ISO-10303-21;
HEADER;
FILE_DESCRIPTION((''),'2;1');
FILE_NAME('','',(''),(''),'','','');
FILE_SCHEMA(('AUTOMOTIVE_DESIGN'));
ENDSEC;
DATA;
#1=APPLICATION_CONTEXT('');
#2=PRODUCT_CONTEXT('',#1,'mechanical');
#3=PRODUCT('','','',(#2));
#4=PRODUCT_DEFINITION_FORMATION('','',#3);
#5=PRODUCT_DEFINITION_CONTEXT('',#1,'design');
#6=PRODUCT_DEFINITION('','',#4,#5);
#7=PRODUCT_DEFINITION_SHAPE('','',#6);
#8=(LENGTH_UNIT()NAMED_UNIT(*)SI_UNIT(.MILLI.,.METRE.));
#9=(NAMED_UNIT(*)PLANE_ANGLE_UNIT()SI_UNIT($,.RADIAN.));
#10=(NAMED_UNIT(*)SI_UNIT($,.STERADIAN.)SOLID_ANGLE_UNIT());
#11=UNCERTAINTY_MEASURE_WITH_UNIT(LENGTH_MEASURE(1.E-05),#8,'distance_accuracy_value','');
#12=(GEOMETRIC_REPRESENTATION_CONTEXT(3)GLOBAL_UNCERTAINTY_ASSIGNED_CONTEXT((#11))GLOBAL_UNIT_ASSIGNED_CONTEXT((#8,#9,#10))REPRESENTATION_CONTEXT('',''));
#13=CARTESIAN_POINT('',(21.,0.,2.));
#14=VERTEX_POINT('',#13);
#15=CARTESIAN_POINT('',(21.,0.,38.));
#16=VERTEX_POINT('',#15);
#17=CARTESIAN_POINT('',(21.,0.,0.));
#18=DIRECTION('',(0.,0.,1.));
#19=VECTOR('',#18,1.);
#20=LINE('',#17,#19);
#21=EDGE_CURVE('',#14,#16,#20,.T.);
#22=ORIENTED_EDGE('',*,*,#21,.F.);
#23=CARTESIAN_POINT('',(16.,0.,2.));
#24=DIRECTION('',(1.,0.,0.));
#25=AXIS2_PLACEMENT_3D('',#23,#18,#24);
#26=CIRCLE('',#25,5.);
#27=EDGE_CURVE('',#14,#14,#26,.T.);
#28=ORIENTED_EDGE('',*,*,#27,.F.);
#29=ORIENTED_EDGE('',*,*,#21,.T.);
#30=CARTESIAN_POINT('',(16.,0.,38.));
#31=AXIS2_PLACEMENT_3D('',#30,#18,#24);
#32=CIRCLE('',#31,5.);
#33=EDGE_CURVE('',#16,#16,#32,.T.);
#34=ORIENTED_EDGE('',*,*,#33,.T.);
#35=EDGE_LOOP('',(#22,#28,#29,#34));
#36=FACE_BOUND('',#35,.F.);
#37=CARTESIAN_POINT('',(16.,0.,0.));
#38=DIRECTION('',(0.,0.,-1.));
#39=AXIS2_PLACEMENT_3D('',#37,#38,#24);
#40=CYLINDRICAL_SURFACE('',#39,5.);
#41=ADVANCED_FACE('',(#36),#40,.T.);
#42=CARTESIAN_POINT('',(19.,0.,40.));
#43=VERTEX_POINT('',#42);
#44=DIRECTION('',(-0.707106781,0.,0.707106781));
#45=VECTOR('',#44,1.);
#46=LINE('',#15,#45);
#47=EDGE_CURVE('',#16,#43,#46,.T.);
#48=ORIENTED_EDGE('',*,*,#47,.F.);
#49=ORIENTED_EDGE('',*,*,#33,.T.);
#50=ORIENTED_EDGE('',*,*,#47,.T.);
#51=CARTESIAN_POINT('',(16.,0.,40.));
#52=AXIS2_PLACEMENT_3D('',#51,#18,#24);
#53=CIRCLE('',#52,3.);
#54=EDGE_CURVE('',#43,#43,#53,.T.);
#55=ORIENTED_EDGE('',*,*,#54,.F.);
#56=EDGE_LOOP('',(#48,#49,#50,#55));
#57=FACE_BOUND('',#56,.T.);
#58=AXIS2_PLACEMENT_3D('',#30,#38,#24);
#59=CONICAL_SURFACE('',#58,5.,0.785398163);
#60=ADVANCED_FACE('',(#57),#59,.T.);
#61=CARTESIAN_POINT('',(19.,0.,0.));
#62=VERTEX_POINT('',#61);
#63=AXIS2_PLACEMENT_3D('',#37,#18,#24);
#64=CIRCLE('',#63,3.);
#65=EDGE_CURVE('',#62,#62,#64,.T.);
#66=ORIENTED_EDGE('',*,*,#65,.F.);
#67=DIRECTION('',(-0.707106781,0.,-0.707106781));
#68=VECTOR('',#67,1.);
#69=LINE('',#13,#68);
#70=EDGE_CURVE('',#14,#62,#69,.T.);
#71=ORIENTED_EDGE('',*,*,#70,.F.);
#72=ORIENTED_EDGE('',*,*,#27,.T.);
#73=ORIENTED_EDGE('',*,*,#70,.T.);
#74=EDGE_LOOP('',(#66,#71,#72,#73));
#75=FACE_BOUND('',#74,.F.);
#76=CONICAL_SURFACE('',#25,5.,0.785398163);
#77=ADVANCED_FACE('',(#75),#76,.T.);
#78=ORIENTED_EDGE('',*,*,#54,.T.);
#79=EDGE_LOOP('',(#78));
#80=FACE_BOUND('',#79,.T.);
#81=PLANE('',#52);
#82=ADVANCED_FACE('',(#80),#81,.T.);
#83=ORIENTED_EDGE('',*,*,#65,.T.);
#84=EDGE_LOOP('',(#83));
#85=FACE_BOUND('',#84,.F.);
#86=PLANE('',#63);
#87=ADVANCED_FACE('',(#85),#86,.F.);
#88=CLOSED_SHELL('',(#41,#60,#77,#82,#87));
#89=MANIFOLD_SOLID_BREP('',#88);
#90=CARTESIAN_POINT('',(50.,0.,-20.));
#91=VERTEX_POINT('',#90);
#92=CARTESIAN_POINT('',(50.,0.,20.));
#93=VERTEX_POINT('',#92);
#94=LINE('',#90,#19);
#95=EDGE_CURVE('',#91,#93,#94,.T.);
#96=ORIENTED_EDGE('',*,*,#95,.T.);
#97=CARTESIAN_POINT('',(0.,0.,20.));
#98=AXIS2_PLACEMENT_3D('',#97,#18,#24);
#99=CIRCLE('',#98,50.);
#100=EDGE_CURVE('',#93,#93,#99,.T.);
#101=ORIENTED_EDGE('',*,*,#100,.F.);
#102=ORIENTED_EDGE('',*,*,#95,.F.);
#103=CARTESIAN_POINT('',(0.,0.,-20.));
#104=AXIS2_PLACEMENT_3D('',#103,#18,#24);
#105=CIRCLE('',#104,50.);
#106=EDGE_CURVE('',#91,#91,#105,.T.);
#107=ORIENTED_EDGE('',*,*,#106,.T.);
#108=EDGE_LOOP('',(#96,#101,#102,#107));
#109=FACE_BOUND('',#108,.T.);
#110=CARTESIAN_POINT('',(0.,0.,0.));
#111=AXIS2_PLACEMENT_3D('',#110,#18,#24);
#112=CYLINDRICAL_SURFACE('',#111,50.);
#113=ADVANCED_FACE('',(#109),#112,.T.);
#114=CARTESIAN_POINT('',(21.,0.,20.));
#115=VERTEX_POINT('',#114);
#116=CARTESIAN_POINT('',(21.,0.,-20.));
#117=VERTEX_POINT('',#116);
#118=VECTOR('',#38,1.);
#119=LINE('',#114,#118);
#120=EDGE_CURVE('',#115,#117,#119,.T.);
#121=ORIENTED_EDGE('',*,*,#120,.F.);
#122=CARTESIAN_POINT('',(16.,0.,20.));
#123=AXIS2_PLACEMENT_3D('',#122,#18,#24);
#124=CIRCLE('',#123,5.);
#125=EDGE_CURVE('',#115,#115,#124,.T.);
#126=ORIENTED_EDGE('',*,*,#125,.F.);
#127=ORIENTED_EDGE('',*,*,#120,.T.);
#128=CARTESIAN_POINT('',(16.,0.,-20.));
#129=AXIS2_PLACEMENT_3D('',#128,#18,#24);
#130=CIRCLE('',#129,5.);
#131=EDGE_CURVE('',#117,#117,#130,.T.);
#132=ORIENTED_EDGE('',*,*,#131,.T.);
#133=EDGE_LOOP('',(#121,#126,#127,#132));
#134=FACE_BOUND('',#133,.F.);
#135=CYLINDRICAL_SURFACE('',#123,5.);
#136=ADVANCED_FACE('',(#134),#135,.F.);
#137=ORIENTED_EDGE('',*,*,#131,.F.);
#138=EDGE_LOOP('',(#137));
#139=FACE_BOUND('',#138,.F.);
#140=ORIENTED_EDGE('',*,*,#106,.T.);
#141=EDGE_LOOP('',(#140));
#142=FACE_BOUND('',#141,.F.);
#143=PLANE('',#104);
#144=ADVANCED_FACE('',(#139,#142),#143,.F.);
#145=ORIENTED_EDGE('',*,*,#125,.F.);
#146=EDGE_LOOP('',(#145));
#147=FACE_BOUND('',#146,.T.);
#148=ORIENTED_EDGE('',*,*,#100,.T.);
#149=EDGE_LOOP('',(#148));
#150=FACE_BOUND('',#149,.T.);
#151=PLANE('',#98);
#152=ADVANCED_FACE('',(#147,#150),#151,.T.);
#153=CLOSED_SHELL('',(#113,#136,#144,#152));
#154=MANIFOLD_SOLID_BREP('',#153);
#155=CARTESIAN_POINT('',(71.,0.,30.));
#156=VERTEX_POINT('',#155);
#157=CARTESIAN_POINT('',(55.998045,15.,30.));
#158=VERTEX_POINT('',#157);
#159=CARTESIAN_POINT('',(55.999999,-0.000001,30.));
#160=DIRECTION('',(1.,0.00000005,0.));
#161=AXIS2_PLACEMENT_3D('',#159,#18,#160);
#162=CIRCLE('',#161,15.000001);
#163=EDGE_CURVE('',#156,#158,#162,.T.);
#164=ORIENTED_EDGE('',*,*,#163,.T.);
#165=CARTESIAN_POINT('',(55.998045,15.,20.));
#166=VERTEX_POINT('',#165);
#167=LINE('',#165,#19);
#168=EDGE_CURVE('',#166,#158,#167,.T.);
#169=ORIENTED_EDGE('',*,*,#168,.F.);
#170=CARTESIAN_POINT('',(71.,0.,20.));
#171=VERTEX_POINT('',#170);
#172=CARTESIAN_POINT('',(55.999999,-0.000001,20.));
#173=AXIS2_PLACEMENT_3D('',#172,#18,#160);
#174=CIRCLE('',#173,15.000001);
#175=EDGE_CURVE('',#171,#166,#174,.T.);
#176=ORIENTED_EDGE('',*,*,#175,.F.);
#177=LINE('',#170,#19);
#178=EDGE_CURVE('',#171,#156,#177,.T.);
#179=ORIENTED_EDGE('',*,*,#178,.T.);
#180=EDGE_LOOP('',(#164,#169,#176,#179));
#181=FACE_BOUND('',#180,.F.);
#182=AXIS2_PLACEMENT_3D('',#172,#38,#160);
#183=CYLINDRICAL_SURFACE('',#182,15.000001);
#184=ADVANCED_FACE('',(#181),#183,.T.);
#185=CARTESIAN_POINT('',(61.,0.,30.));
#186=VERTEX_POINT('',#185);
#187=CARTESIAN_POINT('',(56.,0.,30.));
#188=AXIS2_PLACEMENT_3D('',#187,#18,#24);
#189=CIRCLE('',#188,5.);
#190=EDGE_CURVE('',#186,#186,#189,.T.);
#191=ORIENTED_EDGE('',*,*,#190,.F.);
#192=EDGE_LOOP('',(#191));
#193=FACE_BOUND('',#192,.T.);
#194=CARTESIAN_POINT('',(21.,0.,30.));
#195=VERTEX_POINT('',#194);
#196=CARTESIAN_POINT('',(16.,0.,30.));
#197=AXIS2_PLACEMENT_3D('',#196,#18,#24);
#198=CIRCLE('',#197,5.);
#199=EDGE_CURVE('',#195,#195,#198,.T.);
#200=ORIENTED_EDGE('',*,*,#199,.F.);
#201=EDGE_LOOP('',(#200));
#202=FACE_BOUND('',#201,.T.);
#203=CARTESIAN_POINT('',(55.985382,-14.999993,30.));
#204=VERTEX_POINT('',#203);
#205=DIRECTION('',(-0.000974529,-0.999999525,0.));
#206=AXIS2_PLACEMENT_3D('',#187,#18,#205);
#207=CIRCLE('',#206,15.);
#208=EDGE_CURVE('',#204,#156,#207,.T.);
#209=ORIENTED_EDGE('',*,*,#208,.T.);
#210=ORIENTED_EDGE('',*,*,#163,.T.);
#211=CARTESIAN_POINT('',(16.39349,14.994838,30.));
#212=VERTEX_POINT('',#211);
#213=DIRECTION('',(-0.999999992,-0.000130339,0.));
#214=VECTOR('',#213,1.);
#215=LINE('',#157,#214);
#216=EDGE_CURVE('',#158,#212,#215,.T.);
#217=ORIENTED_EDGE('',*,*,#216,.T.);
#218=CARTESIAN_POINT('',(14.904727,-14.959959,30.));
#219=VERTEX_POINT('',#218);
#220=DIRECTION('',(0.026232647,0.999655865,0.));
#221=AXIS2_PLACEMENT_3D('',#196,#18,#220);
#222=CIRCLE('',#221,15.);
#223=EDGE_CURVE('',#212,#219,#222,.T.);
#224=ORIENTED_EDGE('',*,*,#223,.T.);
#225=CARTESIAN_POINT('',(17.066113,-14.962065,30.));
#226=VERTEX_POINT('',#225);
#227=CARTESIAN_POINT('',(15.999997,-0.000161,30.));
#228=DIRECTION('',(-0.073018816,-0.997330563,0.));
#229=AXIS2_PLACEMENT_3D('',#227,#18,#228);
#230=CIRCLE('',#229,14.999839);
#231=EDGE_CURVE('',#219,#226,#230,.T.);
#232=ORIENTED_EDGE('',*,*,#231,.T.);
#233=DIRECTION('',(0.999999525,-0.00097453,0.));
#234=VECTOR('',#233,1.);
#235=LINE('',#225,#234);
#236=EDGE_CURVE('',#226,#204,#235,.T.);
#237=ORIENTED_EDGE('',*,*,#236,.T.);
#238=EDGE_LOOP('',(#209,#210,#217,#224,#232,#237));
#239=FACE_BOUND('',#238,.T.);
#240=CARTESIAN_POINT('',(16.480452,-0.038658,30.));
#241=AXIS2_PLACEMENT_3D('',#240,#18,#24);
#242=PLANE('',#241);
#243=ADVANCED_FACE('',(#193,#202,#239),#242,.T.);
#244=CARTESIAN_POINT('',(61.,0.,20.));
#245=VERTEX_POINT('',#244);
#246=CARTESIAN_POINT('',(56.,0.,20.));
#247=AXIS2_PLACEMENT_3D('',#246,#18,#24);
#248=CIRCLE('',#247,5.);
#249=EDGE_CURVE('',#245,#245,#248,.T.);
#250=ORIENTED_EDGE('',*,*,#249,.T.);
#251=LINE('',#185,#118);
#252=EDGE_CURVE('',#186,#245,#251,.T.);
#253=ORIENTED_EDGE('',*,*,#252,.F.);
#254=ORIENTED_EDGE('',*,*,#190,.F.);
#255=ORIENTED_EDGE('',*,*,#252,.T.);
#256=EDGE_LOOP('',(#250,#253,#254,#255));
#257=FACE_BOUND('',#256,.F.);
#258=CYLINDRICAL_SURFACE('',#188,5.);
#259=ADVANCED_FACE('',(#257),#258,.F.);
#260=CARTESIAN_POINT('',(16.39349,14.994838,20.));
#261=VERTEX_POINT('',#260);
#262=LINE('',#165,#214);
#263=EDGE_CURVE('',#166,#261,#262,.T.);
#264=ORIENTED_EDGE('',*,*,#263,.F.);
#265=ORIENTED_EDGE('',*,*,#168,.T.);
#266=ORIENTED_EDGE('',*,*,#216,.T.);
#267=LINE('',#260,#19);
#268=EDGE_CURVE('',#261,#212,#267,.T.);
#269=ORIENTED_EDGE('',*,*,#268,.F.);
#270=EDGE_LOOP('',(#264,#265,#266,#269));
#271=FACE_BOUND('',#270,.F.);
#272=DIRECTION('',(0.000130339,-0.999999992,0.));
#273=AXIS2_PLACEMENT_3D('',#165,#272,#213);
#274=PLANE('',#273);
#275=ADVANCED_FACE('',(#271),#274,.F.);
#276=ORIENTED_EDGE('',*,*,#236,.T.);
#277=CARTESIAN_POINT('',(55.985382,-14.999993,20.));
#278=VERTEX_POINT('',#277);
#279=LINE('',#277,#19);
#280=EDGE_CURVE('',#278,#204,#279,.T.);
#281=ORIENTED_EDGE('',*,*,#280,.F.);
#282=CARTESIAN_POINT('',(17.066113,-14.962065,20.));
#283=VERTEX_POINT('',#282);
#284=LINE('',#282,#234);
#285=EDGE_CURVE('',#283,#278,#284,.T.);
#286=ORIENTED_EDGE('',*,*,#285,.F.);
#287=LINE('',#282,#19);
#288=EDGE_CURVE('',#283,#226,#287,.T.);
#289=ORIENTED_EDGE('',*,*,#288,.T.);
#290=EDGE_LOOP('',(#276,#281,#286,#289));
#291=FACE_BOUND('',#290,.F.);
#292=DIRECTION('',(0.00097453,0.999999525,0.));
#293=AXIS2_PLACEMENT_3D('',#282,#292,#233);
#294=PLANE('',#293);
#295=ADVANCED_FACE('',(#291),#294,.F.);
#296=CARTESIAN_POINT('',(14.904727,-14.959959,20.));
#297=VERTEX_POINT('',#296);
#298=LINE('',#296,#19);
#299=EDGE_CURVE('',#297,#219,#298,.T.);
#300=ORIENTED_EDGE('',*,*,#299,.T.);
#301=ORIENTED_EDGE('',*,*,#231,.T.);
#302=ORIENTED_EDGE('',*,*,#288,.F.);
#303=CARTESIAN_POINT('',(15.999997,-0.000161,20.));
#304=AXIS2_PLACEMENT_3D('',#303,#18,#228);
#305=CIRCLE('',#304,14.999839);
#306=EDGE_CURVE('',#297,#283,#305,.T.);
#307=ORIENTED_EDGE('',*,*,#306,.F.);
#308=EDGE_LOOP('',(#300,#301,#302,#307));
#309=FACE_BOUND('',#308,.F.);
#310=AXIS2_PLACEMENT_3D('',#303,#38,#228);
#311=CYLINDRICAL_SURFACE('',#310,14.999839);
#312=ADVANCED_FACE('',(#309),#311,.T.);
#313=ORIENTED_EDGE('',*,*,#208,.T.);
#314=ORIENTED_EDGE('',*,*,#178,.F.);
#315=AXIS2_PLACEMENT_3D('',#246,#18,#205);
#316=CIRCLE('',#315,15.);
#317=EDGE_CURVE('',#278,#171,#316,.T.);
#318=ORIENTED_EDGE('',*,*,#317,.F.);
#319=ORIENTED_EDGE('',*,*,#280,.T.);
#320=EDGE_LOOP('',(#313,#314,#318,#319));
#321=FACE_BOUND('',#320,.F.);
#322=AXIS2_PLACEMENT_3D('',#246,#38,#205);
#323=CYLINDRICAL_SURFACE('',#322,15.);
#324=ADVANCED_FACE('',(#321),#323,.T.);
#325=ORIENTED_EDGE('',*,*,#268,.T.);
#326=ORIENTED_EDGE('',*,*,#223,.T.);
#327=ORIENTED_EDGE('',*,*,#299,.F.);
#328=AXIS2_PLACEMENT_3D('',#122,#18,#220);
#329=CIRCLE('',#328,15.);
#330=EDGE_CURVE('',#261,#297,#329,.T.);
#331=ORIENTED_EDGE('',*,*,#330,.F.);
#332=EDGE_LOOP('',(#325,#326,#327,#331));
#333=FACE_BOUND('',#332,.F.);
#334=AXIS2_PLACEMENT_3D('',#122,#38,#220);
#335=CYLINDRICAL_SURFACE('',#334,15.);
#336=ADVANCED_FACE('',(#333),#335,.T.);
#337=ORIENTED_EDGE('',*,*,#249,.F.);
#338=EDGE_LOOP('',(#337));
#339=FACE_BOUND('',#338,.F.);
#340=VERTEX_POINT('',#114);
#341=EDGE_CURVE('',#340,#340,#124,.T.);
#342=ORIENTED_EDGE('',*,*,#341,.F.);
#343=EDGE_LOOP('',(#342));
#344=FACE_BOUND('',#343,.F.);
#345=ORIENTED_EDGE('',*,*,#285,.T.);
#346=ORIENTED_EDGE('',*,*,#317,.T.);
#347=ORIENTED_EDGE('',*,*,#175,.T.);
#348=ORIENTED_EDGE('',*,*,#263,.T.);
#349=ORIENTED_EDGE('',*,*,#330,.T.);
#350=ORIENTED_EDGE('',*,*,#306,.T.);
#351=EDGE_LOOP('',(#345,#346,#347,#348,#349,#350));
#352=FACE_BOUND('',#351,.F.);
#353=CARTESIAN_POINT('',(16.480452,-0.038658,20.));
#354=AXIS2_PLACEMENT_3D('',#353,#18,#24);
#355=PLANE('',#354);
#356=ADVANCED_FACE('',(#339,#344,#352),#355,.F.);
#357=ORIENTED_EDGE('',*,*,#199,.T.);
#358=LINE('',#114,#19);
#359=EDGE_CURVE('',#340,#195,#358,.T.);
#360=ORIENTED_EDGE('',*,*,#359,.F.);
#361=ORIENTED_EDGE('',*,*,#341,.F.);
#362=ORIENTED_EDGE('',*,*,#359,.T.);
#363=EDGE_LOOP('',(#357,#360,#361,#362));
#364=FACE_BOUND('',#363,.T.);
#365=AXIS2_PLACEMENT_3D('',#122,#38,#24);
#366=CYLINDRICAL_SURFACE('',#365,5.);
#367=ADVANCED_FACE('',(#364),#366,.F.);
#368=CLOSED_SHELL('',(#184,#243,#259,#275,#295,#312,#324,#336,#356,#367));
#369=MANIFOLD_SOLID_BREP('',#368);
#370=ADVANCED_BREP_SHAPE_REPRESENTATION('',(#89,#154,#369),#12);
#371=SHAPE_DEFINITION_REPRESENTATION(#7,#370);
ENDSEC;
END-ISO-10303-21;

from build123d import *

# Parameters (mm, degrees)
F0_R          = 50
F1_DEPTH      = 20
F1_DEPTH_BACK = 20
F2_R          = 5
F3_DEPTH      = 40.001
F4_R          = 5
F5_DEPTH      = 40
F6_SIZE       = 2
F7_R          = 5
F8_DEPTH      = 10
F9_R          = 5
F10_DEPTH     = 50.001


with BuildPart() as f1:
    # F0 (on Top) → F1 (new body, two sides)
    with BuildSketch(Plane.XY) as f1_sk:
        Circle(F0_R)
    extrude(amount=F1_DEPTH)
    extrude(f1_sk.sketch, amount=-F1_DEPTH_BACK)

    # F2 (on face) → F3 (cut, through all)
    with BuildSketch(Plane.XY.offset(20)):
        with Locations((16, 0)):
            Circle(F2_R)
    extrude(amount=-F3_DEPTH, mode=Mode.SUBTRACT)


with BuildPart() as f5:
    # F4 (on Top) → F5 (new body)
    with BuildSketch(Plane.XY):
        with Locations((16, 0)):
            Circle(F4_R)
    extrude(amount=F5_DEPTH)

    # F6
    f6_edges = [f5.edges().sort_by_distance(p)[0] for p in [
        (11, 0, 40),
        (11, 0, 0),
    ]]
    chamfer(f6_edges, length=F6_SIZE)


with BuildPart() as f8:
    # F7 (on face) → F8 (new body)
    with BuildSketch(Plane.XY.offset(20)):
        with BuildLine():
            ThreePointArc((17.066113, -14.962065), (26.97706, -10.222727), (31, 0))
            ThreePointArc((31, 0), (26.744821, 10.466557), (16.39349, 14.994838))
            ThreePointArc((16.39349, 14.994838), (1.018492, 0.744586), (14.904727, -14.959959))
            Line((14.904727, -14.959959), (17.066113, -14.962065))
        make_face()
        with Locations((16, 0)):
            Circle(F7_R, mode=Mode.SUBTRACT)
        with BuildLine():
            ThreePointArc((16.39349, 14.994838), (26.744821, 10.466557), (31, 0))
            ThreePointArc((31, 0), (26.97706, -10.222727), (17.066113, -14.962065))
            Line((17.066113, -14.962065), (55.985382, -14.999993))
            ThreePointArc((55.985382, -14.999993), (41.000001, 0.006331), (55.998045, 15))
            Line((55.998045, 15), (16.39349, 14.994838))
        make_face()
        with BuildLine():
            ThreePointArc((14.904727, -14.959959), (15.985382, -14.999993), (17.066113, -14.962065))
            Line((17.066113, -14.962065), (14.904727, -14.959959))
        make_face()
        with BuildLine():
            ThreePointArc((71, 0), (66.60591, 10.607293), (55.998045, 15))
            ThreePointArc((55.998045, 15), (41.000001, 0.006331), (55.985382, -14.999993))
            ThreePointArc((55.985382, -14.999993), (66.601432, -10.611769), (71, 0))
        make_face()
    extrude(amount=F8_DEPTH)

    # F9 (on face) → F10 (cut, through all)
    with BuildSketch(Plane.XY.offset(30)):
        with Locations((56, 0)):
            Circle(F9_R)
    extrude(amount=-F10_DEPTH, mode=Mode.SUBTRACT)


solid = Compound([f1.part, f5.part, f8.part])
